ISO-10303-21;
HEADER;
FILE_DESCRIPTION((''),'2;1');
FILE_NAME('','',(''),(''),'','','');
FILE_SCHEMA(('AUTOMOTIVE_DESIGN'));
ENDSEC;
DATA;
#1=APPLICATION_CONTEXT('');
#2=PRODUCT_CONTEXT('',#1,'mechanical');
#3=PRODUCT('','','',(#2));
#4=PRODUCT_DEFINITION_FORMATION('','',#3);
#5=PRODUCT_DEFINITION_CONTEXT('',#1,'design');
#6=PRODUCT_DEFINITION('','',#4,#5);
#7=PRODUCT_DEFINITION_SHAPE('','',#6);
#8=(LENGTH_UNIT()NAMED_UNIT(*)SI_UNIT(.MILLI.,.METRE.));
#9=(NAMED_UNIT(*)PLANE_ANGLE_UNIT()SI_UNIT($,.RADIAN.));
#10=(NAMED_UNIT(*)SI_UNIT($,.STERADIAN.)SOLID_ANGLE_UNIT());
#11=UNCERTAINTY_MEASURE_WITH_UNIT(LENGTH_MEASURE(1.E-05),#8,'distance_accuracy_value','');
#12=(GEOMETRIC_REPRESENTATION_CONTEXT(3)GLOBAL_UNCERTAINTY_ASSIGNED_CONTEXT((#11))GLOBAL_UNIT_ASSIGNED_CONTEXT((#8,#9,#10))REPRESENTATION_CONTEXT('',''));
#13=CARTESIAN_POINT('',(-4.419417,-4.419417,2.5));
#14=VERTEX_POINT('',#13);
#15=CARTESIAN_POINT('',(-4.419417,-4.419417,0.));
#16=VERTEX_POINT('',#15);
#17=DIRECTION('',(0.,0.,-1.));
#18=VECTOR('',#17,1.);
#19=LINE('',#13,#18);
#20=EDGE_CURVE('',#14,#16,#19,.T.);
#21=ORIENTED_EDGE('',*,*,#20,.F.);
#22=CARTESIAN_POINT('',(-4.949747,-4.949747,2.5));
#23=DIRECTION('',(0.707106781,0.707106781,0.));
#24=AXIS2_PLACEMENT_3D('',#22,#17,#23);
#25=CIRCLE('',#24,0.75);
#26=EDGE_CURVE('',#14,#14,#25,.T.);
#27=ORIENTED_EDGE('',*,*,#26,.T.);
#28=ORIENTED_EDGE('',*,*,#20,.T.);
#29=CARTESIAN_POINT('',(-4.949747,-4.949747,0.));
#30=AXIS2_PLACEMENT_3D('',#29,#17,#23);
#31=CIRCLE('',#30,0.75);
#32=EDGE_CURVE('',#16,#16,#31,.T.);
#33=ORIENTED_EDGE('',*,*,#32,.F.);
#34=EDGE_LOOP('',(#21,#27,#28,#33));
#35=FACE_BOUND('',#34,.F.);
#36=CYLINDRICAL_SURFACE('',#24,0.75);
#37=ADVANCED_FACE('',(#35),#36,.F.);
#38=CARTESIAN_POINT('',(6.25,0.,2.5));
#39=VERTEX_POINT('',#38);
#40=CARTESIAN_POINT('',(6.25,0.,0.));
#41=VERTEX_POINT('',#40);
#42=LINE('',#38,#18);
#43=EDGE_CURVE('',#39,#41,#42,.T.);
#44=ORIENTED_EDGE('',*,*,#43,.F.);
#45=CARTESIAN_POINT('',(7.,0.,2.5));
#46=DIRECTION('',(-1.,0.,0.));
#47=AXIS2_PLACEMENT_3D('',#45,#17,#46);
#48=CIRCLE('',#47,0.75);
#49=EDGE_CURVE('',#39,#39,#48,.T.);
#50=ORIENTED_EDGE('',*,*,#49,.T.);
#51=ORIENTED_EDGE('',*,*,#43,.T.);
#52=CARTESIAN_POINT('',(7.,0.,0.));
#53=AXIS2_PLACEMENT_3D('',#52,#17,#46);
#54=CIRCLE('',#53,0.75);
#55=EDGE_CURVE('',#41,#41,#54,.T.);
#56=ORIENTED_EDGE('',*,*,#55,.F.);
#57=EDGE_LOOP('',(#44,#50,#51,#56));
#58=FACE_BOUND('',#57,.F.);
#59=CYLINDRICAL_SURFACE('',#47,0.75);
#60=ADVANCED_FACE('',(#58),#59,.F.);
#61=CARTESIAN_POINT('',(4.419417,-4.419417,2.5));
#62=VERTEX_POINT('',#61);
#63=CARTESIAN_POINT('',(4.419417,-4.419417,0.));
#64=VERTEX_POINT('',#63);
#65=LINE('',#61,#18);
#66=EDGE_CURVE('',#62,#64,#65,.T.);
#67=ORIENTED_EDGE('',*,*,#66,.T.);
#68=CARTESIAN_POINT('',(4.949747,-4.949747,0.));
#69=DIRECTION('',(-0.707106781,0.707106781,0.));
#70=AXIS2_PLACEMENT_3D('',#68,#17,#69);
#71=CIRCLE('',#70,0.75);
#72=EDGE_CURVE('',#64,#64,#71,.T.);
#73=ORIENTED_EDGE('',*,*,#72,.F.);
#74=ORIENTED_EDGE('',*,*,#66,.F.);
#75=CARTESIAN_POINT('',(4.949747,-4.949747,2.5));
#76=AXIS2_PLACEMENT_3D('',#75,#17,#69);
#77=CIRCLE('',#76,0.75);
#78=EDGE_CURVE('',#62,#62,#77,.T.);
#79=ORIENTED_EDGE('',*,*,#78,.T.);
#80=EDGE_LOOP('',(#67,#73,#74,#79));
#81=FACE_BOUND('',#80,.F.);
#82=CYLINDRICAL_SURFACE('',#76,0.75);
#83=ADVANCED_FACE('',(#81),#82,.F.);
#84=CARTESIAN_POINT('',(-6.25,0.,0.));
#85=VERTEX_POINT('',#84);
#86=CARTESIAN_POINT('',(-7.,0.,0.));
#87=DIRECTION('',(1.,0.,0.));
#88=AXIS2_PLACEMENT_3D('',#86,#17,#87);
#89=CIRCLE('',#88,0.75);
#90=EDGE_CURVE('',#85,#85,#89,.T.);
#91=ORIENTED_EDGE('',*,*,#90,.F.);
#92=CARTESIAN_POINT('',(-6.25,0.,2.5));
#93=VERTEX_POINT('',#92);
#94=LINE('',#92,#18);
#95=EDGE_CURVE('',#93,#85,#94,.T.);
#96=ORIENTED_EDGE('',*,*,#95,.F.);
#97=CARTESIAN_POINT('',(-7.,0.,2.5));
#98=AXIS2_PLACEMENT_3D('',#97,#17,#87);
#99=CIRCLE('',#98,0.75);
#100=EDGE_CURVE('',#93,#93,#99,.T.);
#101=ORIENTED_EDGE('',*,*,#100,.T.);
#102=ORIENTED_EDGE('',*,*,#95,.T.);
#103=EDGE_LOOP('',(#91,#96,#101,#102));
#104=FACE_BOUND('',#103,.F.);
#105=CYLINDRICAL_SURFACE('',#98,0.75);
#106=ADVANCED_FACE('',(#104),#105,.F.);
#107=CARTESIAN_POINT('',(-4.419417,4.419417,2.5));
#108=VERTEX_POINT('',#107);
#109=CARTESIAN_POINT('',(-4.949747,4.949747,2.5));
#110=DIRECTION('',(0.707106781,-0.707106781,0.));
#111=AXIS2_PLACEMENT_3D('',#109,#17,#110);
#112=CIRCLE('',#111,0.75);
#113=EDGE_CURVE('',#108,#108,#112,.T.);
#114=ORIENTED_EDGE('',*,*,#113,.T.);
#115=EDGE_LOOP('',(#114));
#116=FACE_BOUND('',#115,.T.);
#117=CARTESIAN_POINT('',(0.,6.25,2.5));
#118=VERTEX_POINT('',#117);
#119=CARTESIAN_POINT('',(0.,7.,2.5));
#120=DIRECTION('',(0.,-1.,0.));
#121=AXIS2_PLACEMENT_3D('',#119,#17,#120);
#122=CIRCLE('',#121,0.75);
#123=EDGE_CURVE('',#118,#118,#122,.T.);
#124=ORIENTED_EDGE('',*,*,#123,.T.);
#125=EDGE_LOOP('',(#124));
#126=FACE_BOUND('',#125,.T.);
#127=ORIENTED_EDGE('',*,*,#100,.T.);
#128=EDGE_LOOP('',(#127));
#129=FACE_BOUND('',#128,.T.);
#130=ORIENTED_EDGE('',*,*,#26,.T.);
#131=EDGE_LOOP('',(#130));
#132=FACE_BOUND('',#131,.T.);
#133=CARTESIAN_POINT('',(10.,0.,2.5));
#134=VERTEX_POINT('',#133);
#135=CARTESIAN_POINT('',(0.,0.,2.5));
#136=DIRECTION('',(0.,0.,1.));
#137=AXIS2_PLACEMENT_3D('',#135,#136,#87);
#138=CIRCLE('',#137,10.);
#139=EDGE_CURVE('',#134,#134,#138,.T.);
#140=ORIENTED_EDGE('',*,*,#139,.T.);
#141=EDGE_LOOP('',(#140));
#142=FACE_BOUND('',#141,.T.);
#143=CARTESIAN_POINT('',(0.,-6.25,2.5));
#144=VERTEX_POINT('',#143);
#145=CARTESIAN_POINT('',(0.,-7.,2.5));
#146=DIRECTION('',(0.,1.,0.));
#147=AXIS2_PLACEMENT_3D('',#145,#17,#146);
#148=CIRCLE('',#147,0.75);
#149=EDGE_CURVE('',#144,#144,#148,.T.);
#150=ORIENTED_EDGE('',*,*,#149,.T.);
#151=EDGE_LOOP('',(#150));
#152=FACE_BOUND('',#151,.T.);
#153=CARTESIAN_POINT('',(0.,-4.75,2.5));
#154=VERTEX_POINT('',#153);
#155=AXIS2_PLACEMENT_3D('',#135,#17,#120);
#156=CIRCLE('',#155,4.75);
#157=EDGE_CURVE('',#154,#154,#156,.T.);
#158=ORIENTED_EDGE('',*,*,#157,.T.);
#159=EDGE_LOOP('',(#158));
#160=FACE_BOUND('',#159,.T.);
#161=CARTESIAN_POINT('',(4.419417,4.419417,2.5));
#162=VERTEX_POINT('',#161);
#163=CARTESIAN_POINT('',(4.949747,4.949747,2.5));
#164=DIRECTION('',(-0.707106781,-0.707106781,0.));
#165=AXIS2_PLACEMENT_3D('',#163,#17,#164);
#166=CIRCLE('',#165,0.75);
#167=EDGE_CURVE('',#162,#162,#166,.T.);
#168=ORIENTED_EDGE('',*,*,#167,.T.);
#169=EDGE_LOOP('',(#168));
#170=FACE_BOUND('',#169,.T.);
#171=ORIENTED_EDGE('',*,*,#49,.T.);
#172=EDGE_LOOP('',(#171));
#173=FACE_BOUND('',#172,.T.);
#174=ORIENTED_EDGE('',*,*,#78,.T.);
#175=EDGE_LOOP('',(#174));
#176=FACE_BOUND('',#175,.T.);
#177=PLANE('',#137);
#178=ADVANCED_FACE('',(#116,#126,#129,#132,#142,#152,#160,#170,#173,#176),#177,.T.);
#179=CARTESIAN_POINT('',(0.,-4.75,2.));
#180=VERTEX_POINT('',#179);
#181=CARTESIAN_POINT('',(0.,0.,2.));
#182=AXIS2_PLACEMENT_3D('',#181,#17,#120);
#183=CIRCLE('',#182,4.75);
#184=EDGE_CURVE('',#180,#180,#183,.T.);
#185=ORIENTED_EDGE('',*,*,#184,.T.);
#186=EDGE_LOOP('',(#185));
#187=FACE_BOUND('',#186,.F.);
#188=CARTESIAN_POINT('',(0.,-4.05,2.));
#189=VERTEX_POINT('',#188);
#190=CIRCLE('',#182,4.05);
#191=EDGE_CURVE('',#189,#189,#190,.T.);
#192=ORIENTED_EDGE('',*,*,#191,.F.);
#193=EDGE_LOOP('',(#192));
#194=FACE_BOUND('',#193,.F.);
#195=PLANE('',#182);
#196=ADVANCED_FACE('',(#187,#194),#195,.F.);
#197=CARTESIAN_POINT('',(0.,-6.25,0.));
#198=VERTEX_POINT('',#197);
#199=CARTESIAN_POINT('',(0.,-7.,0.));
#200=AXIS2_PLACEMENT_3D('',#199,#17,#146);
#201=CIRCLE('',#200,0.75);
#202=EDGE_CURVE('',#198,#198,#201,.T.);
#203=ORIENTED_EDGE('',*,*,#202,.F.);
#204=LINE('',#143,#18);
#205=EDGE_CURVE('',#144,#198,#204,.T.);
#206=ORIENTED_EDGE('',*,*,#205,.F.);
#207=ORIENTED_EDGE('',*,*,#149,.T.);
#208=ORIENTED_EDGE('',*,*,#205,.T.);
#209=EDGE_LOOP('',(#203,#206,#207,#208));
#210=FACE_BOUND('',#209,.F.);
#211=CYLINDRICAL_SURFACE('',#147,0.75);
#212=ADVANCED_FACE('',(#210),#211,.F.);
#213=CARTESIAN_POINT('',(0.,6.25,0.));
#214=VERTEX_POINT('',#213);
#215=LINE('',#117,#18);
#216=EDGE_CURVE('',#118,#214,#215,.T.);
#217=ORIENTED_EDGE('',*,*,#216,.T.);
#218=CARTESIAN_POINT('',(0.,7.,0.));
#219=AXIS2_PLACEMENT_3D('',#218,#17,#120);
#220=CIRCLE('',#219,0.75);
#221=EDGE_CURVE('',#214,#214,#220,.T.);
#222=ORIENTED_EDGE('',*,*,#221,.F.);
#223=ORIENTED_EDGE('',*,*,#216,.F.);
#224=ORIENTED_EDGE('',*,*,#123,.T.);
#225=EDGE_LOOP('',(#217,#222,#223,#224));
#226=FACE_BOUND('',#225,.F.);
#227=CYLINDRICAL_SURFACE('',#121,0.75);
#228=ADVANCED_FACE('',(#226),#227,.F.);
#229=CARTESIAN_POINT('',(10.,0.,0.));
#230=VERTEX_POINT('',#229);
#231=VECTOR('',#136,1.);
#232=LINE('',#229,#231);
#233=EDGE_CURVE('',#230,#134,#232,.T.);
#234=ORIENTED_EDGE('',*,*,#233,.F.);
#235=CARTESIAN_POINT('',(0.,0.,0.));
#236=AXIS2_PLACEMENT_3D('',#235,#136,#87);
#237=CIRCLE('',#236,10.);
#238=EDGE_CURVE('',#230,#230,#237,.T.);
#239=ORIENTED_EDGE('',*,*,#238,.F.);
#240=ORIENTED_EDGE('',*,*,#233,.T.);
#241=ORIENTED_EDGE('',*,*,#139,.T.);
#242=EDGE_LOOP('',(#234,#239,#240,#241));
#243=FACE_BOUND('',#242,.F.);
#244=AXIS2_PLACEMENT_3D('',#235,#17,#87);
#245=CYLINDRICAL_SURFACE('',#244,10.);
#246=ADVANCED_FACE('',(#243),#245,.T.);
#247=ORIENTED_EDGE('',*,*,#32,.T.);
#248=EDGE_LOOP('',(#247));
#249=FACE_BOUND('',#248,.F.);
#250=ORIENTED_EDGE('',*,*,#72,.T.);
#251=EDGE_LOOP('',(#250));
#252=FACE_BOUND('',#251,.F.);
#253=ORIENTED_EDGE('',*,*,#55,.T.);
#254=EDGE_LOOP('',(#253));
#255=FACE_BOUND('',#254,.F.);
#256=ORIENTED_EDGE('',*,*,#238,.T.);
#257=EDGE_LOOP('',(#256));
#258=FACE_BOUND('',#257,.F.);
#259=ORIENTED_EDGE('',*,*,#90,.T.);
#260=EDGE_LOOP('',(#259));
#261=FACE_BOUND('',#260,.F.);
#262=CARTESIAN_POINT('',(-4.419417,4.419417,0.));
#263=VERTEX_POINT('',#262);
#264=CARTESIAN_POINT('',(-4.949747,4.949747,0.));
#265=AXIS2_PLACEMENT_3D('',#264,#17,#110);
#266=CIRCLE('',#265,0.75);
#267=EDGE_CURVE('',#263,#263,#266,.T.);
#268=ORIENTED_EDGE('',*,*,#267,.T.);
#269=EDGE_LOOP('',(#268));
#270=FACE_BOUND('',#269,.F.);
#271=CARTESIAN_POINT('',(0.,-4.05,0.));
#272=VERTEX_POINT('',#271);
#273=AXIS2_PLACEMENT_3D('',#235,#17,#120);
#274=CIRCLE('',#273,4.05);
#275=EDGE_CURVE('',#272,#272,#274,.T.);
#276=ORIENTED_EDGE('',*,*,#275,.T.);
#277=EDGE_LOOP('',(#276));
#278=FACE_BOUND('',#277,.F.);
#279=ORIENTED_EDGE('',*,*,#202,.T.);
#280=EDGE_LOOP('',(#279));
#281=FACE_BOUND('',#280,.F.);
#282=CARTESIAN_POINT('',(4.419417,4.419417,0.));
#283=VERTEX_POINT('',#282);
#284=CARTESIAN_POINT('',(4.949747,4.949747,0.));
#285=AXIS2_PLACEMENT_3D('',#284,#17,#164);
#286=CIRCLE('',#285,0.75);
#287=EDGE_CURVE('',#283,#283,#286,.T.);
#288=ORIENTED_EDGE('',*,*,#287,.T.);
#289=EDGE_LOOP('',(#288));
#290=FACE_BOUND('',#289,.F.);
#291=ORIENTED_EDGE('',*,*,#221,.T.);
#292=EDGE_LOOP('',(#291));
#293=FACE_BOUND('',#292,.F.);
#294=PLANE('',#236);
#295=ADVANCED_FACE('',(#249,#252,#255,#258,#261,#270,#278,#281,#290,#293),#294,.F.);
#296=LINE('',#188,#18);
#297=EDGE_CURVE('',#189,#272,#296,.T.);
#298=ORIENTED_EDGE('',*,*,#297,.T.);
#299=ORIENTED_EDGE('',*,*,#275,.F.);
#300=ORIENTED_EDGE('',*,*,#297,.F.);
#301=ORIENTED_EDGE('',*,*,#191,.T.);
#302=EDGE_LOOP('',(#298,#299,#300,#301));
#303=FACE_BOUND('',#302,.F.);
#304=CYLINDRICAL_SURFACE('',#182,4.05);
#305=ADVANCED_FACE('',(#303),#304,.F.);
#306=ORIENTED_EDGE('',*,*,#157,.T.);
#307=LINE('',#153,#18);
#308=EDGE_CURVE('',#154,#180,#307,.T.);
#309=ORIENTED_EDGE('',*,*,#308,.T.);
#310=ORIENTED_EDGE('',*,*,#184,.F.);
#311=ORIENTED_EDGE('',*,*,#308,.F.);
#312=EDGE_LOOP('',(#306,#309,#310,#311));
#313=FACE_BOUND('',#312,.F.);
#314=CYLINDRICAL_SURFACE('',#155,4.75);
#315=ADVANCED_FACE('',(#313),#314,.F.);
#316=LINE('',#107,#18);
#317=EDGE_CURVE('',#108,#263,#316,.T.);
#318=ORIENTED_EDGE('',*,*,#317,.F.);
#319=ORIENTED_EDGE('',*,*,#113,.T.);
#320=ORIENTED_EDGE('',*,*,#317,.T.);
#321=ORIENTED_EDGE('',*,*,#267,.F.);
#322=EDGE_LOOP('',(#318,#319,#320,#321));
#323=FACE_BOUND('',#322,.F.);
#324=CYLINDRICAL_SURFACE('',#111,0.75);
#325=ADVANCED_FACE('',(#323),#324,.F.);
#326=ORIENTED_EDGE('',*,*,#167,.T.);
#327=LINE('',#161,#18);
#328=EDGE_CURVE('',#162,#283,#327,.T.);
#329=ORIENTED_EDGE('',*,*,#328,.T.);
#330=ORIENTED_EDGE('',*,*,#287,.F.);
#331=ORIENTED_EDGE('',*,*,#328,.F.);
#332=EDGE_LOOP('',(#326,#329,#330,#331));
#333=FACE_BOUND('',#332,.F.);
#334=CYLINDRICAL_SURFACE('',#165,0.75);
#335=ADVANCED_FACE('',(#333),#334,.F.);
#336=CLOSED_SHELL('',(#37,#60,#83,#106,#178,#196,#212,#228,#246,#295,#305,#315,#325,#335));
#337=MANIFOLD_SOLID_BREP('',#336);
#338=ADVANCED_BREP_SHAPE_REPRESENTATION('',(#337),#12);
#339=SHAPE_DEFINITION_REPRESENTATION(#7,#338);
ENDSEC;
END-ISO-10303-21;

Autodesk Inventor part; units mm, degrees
ref_plane "YZ Plane" through (0, 0, 0) normal (1, 0, 0) x (0, 1, 0)
ref_plane "XZ Plane" through (0, 0, 0) normal (0, 1, 0) x (-1, 0, 0)
ref_plane "XY Plane" through (0, 0, 0) normal (0, 0, 1) x (1, 0, 0)
sketch "スケッチ1" plane through (0, 0, 0) normal (0, 0, 1) x (1, 0, 0)
  circle A0 centre (0, 0) radius 10
  dimension "d0" = 20
extrude "押し出し1" add sketch "スケッチ1" along normal blind 2.5
sketch "スケッチ2" plane through (0, 0, 2.5) normal (0, 0, 1) x (1, 0, 0)
  circle A0 centre (0, 0) radius 10 projected
  circle A1 centre (0, 0) radius 5
  dimension "d3" = 10
hole "穴2" at (0, 0, 2.5) direction (0, 0, -1) diameter 8.1 end through all counterbore diameter 9.5 counterbore depth 0.5
sketch "スケッチ5" plane through (0, 0, 2.5) normal (0, 0, 1) x (1, 0, 0)
  circle A0 centre (0, 7) radius 1
  circle A1 centre (0, 0) radius 4.75 projected
  dimension "d30" = 2
  dimension "d57" = 0
  dimension "d58" = 7
hole "穴4" at (0, 7, 2.5) direction (0, 0, -1) diameter 1.5 end through all
pattern_circular "円形状パターン1" count 8 over 360 about axis through (0, 0, -25.8945) along (0, 0, 1) of "穴4"
properties part number "03" material "アルミニウム 6061"
